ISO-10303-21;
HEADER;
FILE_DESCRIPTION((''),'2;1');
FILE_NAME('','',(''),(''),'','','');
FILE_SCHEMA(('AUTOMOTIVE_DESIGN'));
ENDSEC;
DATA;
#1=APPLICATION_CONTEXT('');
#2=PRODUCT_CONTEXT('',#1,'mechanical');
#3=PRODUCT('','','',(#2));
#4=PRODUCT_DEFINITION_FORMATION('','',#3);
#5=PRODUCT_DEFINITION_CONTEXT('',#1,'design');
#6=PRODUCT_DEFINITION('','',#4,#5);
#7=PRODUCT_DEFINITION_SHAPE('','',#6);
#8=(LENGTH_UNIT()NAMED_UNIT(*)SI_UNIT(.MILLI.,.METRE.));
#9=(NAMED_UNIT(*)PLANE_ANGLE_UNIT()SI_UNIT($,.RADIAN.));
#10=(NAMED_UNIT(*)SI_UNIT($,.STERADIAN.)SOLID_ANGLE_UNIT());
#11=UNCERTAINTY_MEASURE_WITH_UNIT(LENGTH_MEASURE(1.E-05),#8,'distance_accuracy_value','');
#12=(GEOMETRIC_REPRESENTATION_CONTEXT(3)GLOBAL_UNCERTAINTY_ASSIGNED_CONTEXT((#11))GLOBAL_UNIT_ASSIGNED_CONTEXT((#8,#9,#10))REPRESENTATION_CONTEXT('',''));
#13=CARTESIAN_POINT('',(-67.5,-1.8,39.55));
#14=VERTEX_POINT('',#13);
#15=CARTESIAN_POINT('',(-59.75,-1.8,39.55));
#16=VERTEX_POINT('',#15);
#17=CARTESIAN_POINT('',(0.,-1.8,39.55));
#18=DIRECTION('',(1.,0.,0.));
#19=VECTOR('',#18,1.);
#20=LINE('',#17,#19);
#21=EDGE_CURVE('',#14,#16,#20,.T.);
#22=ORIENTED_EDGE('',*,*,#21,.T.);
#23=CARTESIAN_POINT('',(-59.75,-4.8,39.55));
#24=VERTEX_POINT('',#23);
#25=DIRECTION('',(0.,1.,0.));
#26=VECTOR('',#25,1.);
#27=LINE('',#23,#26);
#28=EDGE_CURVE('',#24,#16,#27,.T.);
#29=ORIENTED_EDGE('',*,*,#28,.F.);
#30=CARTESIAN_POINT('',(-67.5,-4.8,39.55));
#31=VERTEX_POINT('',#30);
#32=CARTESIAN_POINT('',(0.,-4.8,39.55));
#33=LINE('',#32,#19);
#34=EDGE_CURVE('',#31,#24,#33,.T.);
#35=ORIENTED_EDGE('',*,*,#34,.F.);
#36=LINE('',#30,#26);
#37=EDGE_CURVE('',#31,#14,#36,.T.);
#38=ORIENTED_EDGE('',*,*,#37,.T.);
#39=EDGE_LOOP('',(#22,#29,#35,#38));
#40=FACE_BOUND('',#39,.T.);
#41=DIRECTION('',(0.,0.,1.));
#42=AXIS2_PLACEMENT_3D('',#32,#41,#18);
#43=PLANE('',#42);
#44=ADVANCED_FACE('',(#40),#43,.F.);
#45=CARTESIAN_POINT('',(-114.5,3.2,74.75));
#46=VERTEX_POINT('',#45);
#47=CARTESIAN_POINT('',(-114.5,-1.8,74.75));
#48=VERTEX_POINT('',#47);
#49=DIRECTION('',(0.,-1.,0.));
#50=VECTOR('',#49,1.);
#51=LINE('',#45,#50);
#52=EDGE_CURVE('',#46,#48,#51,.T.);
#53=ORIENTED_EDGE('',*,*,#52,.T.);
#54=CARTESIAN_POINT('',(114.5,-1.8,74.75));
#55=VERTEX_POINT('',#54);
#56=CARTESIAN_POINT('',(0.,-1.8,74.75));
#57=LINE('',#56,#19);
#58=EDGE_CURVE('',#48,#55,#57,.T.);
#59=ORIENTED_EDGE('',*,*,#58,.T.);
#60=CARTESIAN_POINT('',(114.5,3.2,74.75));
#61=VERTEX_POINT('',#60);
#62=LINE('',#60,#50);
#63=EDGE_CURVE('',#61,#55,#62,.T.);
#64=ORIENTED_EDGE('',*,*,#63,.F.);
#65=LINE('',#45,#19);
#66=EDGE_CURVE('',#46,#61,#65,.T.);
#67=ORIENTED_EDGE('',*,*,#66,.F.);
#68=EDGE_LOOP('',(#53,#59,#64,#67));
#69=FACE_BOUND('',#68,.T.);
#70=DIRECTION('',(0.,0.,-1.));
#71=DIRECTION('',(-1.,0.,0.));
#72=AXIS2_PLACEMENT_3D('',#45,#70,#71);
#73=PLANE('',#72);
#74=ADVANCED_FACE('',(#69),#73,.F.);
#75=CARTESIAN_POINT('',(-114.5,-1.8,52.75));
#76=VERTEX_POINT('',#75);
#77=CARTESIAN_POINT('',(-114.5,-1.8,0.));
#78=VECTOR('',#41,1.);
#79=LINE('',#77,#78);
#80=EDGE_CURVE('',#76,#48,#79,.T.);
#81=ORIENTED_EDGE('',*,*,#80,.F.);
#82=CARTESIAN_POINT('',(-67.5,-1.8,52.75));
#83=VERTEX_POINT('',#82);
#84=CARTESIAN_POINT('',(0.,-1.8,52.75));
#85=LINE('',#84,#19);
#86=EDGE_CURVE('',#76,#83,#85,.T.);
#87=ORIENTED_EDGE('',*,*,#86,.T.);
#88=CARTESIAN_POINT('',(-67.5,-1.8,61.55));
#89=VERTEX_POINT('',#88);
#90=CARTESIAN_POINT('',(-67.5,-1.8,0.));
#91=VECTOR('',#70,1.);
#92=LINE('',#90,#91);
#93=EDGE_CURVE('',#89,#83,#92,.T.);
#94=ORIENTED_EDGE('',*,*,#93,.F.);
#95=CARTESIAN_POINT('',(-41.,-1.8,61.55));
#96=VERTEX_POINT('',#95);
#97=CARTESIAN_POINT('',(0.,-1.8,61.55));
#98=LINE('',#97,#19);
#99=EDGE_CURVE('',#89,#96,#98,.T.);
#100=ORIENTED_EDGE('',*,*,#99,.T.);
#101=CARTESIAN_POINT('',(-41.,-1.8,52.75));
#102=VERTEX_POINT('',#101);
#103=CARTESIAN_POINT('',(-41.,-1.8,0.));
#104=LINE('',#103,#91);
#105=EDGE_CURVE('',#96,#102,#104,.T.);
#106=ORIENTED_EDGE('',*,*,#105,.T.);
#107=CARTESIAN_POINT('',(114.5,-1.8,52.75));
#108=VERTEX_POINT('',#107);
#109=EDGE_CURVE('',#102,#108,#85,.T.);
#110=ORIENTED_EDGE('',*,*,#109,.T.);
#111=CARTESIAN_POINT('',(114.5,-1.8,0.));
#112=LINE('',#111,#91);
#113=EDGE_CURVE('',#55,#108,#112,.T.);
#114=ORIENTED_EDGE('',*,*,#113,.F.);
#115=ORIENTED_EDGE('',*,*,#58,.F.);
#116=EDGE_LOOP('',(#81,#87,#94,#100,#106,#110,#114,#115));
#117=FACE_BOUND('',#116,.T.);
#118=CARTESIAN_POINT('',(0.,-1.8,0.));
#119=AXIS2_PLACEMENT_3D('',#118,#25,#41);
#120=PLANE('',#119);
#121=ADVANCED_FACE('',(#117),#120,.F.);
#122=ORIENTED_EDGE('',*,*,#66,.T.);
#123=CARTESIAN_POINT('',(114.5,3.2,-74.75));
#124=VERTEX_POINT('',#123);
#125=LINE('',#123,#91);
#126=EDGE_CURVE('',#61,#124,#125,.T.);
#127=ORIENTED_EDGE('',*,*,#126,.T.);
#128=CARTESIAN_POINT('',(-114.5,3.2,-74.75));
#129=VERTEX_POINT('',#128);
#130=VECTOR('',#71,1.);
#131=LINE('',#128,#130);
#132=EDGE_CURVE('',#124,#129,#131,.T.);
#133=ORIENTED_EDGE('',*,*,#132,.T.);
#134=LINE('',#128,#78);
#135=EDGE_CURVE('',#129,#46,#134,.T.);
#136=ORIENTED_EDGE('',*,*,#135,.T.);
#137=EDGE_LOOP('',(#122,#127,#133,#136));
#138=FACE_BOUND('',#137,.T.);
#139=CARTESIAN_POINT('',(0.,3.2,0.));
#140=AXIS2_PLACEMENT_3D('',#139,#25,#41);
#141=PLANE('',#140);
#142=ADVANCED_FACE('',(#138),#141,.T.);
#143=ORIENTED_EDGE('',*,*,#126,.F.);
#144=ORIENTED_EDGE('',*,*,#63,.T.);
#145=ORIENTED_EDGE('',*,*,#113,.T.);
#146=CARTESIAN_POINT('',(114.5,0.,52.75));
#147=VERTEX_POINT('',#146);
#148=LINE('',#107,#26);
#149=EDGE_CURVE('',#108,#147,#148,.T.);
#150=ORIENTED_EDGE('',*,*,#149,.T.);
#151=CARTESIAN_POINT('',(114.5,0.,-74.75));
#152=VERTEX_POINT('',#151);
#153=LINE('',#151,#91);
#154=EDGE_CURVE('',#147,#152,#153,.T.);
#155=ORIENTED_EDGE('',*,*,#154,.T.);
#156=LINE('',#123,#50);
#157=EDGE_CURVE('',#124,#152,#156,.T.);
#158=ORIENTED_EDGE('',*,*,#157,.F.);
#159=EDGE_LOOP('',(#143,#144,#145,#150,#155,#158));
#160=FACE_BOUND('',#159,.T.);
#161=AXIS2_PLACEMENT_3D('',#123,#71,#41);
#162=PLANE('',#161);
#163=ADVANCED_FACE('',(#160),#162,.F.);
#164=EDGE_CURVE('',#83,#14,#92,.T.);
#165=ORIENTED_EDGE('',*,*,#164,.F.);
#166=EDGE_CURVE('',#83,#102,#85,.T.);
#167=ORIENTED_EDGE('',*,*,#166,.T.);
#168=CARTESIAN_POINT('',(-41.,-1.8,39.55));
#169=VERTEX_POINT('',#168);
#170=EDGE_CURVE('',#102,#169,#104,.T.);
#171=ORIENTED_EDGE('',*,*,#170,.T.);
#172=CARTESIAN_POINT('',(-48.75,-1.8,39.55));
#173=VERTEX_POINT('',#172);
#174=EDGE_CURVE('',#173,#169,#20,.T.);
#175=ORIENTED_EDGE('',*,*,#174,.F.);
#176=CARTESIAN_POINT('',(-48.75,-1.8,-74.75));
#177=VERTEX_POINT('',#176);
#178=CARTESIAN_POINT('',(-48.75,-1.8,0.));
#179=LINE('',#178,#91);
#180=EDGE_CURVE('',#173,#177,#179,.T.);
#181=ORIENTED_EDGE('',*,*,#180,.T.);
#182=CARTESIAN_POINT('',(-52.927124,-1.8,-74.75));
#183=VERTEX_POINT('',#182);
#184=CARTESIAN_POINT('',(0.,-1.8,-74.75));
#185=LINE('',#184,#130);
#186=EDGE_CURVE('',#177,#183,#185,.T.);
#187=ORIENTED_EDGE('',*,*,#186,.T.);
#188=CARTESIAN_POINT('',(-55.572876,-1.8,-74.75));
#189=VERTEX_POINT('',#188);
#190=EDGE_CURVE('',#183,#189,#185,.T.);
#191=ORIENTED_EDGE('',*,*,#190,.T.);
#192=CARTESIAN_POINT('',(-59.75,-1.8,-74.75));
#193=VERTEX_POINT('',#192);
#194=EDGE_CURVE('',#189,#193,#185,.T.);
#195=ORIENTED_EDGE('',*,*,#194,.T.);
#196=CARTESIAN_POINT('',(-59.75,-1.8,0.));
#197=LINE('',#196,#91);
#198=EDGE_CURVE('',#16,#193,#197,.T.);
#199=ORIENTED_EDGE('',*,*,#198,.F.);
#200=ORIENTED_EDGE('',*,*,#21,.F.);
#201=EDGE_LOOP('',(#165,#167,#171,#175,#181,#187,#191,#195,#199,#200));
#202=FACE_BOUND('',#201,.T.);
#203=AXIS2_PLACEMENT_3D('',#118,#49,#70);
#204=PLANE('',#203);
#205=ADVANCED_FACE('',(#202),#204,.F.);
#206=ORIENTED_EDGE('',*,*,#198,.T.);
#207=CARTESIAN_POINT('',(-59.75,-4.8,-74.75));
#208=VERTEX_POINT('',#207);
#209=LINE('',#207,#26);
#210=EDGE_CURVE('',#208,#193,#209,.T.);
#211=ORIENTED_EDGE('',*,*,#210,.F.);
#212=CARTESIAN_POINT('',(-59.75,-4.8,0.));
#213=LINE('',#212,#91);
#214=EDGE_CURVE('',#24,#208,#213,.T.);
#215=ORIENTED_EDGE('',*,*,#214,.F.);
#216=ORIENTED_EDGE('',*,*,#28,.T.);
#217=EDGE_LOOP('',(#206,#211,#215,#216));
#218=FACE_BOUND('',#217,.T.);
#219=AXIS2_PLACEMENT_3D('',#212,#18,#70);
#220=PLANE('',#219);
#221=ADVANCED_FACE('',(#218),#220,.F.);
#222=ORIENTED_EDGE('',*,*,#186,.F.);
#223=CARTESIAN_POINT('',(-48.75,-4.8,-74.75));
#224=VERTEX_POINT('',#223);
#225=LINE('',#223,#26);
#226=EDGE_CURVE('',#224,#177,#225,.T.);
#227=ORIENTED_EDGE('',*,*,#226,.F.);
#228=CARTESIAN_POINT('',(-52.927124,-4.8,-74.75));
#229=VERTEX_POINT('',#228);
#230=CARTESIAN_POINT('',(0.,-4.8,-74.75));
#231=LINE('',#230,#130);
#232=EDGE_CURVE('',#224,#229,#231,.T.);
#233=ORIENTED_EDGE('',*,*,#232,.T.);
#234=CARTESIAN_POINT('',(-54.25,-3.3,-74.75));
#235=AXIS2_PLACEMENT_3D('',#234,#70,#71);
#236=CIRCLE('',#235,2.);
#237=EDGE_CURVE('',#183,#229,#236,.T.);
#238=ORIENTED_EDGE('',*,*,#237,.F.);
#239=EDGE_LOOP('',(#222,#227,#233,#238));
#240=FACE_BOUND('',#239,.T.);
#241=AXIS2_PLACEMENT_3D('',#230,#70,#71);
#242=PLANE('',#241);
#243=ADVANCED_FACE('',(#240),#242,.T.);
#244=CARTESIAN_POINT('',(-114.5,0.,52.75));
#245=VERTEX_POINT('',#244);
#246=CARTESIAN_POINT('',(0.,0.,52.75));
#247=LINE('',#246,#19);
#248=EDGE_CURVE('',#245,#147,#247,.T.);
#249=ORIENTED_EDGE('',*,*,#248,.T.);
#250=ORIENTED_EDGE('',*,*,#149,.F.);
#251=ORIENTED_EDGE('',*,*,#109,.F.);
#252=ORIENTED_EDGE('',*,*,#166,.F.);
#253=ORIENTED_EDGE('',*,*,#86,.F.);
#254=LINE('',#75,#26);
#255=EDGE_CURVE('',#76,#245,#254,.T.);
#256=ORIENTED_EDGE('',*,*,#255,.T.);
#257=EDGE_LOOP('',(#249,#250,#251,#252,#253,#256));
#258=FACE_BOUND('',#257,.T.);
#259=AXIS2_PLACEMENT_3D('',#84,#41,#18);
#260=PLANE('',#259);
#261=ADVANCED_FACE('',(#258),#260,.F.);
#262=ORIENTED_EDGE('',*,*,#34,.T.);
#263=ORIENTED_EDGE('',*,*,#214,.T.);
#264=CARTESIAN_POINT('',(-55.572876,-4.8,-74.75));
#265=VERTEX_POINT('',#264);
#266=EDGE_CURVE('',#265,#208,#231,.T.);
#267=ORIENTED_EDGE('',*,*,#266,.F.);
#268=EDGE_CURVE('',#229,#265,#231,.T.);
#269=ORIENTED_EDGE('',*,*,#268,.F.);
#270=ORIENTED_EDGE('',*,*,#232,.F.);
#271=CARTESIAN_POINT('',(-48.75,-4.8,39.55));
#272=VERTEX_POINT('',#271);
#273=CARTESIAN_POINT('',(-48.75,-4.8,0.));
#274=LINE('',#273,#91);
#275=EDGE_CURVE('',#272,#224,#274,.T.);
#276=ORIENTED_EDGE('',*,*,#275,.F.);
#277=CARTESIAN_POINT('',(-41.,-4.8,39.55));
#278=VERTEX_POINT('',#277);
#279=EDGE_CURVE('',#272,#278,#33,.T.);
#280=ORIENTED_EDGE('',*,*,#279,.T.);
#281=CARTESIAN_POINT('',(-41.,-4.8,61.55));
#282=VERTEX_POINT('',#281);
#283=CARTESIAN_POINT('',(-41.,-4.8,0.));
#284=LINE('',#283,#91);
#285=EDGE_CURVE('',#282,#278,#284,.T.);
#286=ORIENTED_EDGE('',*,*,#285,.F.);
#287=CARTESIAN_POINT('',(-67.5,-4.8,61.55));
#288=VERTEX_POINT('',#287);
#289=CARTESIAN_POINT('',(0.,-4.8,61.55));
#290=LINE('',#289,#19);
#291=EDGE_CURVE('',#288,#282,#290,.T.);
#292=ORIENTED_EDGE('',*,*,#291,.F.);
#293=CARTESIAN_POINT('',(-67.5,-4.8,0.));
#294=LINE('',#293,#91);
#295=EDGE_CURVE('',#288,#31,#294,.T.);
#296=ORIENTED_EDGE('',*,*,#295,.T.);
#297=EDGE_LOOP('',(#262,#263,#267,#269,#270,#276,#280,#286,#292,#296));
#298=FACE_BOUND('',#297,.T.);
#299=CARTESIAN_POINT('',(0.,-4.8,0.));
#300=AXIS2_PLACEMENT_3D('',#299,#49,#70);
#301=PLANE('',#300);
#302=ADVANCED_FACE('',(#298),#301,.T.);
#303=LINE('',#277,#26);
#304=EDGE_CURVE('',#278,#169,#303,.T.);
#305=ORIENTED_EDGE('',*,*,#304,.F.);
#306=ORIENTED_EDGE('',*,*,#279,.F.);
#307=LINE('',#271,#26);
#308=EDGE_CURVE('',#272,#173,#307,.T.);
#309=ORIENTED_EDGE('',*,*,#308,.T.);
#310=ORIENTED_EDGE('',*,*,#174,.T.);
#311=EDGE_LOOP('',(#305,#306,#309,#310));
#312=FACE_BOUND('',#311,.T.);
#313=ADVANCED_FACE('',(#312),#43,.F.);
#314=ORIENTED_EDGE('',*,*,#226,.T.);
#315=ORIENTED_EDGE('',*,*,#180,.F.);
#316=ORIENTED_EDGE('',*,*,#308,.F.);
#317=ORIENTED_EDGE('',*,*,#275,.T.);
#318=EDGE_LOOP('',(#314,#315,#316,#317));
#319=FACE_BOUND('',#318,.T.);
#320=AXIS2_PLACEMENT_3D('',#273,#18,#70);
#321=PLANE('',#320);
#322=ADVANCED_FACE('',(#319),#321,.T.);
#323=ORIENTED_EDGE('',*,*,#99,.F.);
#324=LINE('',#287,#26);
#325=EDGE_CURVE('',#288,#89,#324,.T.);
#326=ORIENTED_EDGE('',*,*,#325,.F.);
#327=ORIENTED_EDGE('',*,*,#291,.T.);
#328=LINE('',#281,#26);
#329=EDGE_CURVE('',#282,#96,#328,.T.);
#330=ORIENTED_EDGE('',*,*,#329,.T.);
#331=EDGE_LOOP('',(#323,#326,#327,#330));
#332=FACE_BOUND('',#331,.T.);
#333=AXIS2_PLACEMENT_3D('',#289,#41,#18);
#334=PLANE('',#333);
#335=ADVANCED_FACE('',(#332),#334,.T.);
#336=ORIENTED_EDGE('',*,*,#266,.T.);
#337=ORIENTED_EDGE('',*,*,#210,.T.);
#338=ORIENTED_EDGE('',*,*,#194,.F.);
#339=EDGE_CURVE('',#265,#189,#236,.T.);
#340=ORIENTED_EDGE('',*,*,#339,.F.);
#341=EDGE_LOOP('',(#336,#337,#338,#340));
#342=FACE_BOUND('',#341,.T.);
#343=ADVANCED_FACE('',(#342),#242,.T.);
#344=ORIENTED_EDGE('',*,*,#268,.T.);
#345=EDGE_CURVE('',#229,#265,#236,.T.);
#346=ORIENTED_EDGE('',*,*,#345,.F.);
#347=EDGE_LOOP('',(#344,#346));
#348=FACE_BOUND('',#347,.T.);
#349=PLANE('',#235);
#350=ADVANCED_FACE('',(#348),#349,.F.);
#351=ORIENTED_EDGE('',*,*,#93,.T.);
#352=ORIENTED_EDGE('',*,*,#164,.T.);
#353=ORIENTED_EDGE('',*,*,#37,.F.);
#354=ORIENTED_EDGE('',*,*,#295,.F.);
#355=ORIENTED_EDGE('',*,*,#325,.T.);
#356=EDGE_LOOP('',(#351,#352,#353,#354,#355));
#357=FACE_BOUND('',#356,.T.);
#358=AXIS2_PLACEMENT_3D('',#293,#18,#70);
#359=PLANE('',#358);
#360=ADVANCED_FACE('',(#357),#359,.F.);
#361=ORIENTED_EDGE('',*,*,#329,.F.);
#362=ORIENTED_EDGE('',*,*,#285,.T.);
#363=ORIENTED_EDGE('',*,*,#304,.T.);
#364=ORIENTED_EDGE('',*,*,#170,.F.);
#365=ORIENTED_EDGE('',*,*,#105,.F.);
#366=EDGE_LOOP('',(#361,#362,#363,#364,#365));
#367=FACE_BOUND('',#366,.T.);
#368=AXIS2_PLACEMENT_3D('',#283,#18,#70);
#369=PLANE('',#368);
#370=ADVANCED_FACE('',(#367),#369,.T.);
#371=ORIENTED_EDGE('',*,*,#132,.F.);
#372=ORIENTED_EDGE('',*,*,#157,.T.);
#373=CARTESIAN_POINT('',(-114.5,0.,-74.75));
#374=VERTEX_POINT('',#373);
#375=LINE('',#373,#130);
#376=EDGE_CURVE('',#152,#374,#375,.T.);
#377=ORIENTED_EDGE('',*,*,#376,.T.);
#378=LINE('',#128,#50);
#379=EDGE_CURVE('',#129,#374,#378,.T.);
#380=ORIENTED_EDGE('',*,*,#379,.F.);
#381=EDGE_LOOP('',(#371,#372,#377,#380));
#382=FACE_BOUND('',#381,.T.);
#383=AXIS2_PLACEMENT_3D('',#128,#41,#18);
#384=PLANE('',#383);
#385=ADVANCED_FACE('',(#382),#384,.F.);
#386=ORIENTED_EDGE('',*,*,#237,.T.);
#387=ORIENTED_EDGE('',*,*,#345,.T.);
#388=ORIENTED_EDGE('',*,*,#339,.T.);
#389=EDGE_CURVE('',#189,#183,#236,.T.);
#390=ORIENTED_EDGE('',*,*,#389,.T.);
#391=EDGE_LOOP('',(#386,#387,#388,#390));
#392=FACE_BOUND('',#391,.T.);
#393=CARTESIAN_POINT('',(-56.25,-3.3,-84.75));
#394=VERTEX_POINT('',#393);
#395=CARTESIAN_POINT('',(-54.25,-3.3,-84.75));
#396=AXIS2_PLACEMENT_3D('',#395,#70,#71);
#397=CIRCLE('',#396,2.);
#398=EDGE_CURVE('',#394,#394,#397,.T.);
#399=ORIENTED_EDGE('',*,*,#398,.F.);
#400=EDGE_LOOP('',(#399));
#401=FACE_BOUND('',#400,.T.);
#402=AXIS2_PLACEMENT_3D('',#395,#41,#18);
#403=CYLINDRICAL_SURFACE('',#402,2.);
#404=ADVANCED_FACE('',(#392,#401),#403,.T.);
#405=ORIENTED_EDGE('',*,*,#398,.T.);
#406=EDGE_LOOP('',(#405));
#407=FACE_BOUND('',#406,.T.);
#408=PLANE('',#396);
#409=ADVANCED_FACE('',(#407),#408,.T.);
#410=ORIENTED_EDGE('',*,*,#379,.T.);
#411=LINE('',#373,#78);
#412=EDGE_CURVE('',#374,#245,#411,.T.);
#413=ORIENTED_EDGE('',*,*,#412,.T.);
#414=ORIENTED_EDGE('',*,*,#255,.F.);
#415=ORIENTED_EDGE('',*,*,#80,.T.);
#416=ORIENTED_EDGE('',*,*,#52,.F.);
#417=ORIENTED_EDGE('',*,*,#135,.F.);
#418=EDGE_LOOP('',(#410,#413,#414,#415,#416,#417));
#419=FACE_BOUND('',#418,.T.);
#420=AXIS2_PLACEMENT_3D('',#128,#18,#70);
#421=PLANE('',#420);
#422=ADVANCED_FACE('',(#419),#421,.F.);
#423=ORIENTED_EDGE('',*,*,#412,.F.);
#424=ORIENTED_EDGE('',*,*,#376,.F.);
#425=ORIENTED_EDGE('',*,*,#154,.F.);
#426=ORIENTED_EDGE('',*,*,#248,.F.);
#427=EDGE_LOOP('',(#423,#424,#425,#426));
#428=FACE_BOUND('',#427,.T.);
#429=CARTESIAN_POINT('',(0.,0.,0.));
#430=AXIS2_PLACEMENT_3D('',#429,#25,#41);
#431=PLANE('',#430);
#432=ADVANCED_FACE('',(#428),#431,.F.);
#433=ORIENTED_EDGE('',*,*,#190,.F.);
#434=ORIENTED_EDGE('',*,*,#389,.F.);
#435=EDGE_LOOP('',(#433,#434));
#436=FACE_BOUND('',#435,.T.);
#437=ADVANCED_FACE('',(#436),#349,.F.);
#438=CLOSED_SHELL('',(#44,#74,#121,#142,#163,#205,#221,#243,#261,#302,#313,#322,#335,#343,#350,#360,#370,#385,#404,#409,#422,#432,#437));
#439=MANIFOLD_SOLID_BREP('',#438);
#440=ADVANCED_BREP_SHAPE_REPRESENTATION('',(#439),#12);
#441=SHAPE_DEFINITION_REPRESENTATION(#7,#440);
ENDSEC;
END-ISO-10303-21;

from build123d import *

# Parameters (mm, degrees)
SKETCH1_W           = 229
SKETCH1_H           = 149.5
BOSS_EXTRUDE1_DEPTH = 3.2
SKETCH2_W           = 229
SKETCH2_H           = 22
BOSS_EXTRUDE2_DEPTH = 5
SKETCH3_W           = 26.5
SKETCH3_H           = 8.8
SKETCH3_W_2         = 11
SKETCH3_H_2         = 114.3
BOSS_EXTRUDE3_DEPTH = 3
SKETCH4_R           = 2
BOSS_EXTRUDE4_DEPTH = 10


with BuildPart() as part:
    # Sketch1 → Boss-Extrude1 (new body)
    with BuildSketch(Plane(origin=(0, 0, 0), x_dir=(1, 0, 0), z_dir=(0, 1, 0))):
        Rectangle(SKETCH1_W, SKETCH1_H)
    extrude(amount=BOSS_EXTRUDE1_DEPTH)

    # Sketch2 → Boss-Extrude2 (add)
    with BuildSketch(Plane(origin=(0, 3.2, 0), x_dir=(1, 0, 0), z_dir=(0, 1, 0))):
        with Locations((0, -63.75)):
            Rectangle(SKETCH2_W, SKETCH2_H)
    extrude(amount=-BOSS_EXTRUDE2_DEPTH)

    # Sketch3 → Boss-Extrude3 (add)
    with BuildSketch(Plane.XZ.offset(1.8)):
        Polygon((-41, 52.75), (-67.5, 52.75), (-67.5, 39.55), (-59.75, 39.55), (-48.75, 39.55), (-41, 39.55), align=None)
        with Locations((-54.25, 57.15)):
            Rectangle(SKETCH3_W, SKETCH3_H)
        with Locations((-54.25, -17.6)):
            Rectangle(SKETCH3_W_2, SKETCH3_H_2)
    extrude(amount=BOSS_EXTRUDE3_DEPTH)

    # Sketch4 → Boss-Extrude4 (add)
    with BuildSketch(Plane(origin=(0, 0, -74.75), x_dir=(-1, 0, 0), z_dir=(0, 0, -1))):
        with Locations(Location((54.25, -3.3, 0), (0, 0, 131.409622109))):
            Circle(SKETCH4_R)
    extrude(amount=BOSS_EXTRUDE4_DEPTH)


solid = part.part
